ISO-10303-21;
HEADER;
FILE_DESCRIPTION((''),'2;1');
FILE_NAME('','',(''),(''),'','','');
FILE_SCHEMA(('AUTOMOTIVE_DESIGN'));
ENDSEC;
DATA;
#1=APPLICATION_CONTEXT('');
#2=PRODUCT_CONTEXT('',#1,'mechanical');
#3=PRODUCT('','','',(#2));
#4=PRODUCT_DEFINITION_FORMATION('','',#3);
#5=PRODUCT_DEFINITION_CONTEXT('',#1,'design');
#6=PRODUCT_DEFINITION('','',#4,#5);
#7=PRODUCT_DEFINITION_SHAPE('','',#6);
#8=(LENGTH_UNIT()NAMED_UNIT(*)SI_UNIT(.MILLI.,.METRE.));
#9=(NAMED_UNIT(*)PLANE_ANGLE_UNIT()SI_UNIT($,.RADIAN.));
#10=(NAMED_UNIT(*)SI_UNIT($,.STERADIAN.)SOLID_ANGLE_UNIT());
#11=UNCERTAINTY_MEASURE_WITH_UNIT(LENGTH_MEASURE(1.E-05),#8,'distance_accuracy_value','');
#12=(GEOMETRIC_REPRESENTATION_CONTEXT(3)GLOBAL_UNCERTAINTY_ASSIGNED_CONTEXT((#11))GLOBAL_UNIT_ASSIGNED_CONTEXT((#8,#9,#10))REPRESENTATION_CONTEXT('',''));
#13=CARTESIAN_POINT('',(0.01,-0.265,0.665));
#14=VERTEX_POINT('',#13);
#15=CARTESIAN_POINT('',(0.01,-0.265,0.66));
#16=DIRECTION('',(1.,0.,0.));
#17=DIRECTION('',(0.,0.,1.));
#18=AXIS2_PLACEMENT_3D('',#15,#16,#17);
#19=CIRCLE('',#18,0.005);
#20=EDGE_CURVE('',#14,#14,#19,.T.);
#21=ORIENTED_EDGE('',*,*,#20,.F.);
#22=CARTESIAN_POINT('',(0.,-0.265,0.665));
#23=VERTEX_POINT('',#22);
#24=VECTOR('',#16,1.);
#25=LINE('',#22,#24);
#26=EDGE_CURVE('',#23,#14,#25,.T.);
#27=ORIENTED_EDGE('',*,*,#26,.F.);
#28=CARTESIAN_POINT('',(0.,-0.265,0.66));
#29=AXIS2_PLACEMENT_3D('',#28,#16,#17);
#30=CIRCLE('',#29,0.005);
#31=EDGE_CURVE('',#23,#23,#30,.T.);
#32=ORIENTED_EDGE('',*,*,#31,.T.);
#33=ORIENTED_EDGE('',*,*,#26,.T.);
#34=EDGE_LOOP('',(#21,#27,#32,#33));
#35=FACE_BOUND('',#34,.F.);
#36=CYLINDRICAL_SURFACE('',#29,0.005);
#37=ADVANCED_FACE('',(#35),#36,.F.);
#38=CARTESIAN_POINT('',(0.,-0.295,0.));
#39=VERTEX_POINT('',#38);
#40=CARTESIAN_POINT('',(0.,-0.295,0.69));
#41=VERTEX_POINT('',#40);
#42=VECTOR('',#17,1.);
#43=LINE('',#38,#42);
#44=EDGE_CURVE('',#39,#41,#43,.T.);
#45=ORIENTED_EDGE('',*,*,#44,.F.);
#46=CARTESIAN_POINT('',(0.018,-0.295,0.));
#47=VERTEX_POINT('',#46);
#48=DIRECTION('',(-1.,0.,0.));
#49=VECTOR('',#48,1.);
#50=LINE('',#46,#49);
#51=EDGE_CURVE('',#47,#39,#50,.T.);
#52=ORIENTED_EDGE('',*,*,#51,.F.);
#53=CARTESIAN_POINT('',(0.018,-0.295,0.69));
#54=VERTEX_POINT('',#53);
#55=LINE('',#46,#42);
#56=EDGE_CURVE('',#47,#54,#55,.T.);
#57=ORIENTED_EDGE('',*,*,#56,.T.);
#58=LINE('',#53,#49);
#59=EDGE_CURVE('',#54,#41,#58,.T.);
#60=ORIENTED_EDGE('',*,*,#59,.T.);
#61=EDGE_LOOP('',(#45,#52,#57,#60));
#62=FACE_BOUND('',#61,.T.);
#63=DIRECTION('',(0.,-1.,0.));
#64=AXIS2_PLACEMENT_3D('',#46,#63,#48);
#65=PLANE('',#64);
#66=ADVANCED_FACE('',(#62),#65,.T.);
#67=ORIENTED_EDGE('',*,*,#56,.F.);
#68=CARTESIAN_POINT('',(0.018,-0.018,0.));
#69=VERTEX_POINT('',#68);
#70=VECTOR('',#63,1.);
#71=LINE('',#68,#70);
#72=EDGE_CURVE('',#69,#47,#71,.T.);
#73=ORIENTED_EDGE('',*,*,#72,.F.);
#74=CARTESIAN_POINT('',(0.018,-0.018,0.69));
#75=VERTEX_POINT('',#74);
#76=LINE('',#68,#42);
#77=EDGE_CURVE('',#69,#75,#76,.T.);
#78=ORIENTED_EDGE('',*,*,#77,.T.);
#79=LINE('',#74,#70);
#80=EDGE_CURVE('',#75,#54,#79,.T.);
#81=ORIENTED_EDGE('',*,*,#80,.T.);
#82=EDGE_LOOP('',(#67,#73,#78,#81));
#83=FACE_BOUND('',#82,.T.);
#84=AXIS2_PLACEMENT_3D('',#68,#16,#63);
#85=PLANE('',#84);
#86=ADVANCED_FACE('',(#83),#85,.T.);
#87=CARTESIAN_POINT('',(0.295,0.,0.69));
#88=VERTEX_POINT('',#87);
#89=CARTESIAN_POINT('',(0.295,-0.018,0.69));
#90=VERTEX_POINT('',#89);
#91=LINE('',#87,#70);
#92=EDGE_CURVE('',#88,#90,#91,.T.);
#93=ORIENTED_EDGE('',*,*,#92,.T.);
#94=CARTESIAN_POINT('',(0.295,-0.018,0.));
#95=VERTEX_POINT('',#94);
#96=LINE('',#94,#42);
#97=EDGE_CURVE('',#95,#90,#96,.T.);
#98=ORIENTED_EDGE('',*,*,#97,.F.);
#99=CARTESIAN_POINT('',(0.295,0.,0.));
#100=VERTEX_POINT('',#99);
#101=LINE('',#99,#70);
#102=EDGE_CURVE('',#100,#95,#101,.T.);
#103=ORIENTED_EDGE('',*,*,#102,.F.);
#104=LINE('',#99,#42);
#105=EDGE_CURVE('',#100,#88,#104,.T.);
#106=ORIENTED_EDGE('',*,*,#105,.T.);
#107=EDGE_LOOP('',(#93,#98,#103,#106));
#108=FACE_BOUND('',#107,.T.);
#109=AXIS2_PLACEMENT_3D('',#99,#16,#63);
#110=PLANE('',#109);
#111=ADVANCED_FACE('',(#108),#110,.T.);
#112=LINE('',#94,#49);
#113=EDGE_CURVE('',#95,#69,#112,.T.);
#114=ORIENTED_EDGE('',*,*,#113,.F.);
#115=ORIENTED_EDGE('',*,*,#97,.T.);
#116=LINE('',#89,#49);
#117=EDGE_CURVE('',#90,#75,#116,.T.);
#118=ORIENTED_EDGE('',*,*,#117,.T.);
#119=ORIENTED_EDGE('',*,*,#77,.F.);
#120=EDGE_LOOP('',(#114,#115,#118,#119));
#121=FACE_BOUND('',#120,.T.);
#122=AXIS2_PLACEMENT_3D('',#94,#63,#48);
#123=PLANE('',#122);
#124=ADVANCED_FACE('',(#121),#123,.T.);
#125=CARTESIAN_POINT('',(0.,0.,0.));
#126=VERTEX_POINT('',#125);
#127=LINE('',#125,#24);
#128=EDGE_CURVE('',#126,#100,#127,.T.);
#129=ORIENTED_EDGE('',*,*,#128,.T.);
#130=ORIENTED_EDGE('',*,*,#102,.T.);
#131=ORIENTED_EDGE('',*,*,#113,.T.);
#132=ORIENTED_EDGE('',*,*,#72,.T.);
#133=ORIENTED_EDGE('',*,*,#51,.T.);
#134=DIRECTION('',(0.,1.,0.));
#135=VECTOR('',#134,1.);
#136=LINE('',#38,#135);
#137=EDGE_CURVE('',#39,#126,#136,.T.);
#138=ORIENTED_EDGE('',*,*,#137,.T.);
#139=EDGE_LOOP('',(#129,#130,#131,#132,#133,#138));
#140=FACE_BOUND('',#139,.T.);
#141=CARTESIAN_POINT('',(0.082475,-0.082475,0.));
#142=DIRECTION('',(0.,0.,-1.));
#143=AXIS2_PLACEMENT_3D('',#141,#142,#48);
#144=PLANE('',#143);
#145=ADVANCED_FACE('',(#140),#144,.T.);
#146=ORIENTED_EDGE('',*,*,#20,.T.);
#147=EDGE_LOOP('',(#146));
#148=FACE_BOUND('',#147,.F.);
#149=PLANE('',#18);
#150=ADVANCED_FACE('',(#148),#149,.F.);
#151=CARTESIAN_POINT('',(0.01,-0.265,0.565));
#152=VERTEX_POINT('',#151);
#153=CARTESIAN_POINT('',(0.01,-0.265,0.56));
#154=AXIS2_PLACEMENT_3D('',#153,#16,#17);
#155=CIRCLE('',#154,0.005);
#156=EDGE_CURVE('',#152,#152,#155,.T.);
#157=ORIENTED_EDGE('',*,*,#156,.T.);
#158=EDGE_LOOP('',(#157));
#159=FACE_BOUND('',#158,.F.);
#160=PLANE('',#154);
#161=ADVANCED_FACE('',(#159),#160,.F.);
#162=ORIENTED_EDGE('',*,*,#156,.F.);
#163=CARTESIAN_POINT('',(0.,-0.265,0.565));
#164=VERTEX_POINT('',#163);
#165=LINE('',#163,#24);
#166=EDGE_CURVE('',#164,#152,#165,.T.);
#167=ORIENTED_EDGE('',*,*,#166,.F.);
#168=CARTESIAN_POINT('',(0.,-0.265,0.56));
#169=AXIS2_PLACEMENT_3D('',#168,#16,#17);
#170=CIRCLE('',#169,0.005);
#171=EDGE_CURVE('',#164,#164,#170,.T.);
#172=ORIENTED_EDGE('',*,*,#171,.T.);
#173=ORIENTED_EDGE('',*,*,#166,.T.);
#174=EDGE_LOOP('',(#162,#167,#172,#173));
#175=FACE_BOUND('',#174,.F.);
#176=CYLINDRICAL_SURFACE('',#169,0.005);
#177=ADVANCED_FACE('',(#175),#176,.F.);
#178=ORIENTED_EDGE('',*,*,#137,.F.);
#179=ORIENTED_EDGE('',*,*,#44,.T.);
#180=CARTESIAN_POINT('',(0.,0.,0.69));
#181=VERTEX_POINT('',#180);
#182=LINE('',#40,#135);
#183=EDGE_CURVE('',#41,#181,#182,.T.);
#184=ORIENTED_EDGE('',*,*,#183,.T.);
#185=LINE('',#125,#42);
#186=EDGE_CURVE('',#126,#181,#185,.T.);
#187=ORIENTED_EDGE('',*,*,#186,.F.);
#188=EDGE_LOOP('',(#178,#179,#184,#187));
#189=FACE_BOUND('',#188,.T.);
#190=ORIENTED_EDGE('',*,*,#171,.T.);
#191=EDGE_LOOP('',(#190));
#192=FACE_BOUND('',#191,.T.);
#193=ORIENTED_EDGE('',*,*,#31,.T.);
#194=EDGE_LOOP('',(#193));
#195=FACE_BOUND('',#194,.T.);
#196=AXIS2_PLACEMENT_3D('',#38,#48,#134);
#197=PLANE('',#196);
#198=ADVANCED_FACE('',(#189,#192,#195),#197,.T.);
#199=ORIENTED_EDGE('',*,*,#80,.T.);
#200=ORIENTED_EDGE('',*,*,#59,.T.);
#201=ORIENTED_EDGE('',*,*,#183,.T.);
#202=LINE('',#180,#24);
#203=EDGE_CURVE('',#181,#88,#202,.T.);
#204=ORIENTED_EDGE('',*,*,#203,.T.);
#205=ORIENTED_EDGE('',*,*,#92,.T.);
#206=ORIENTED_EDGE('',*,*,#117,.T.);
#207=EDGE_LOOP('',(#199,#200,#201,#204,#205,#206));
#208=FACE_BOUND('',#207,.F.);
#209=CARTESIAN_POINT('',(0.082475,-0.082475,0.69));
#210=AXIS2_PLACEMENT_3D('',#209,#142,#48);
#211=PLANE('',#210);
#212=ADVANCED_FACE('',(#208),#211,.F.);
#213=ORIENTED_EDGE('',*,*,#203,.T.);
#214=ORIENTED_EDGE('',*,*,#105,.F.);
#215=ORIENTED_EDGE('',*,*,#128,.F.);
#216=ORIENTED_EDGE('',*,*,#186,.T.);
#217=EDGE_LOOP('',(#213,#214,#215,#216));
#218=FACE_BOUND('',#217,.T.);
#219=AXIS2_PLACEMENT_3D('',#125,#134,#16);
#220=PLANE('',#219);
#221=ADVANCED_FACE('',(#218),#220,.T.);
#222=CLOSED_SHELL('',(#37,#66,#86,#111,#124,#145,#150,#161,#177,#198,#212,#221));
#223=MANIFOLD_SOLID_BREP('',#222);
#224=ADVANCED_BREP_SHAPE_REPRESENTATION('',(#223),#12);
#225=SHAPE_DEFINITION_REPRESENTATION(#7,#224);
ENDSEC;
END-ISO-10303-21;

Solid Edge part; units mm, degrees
sketch "Sketch1" plane through (0, 0, 0) normal (0, 0, 1) x (1, 0, 0)
  line L0 (0.295, 0) -> (0.295, -0.018)
  line L1 (0.295, -0.018) -> (0.018, -0.018)
  line L2 (0.018, -0.018) -> (0.018, -0.295)
  line L3 (0.018, -0.295) -> (0, -0.295)
  line L4 (0, -0.295) -> (0, 0)
  line L5 (0, 0) -> (0.295, 0)
  dimension "D1" = 0.295
  dimension "D2" = 0.018
extrude "Protrusion1" add sketch "Sketch1" along normal blind 0.69
hole "Bohrung_1" at (0, -0.265, 0.56) direction (1, 0, 0) diameter 0.01 depth 0.01
hole "Hole1" at (0, -0.265, 0.66) direction (1, 0, 0) diameter 0.01 depth 0.01
